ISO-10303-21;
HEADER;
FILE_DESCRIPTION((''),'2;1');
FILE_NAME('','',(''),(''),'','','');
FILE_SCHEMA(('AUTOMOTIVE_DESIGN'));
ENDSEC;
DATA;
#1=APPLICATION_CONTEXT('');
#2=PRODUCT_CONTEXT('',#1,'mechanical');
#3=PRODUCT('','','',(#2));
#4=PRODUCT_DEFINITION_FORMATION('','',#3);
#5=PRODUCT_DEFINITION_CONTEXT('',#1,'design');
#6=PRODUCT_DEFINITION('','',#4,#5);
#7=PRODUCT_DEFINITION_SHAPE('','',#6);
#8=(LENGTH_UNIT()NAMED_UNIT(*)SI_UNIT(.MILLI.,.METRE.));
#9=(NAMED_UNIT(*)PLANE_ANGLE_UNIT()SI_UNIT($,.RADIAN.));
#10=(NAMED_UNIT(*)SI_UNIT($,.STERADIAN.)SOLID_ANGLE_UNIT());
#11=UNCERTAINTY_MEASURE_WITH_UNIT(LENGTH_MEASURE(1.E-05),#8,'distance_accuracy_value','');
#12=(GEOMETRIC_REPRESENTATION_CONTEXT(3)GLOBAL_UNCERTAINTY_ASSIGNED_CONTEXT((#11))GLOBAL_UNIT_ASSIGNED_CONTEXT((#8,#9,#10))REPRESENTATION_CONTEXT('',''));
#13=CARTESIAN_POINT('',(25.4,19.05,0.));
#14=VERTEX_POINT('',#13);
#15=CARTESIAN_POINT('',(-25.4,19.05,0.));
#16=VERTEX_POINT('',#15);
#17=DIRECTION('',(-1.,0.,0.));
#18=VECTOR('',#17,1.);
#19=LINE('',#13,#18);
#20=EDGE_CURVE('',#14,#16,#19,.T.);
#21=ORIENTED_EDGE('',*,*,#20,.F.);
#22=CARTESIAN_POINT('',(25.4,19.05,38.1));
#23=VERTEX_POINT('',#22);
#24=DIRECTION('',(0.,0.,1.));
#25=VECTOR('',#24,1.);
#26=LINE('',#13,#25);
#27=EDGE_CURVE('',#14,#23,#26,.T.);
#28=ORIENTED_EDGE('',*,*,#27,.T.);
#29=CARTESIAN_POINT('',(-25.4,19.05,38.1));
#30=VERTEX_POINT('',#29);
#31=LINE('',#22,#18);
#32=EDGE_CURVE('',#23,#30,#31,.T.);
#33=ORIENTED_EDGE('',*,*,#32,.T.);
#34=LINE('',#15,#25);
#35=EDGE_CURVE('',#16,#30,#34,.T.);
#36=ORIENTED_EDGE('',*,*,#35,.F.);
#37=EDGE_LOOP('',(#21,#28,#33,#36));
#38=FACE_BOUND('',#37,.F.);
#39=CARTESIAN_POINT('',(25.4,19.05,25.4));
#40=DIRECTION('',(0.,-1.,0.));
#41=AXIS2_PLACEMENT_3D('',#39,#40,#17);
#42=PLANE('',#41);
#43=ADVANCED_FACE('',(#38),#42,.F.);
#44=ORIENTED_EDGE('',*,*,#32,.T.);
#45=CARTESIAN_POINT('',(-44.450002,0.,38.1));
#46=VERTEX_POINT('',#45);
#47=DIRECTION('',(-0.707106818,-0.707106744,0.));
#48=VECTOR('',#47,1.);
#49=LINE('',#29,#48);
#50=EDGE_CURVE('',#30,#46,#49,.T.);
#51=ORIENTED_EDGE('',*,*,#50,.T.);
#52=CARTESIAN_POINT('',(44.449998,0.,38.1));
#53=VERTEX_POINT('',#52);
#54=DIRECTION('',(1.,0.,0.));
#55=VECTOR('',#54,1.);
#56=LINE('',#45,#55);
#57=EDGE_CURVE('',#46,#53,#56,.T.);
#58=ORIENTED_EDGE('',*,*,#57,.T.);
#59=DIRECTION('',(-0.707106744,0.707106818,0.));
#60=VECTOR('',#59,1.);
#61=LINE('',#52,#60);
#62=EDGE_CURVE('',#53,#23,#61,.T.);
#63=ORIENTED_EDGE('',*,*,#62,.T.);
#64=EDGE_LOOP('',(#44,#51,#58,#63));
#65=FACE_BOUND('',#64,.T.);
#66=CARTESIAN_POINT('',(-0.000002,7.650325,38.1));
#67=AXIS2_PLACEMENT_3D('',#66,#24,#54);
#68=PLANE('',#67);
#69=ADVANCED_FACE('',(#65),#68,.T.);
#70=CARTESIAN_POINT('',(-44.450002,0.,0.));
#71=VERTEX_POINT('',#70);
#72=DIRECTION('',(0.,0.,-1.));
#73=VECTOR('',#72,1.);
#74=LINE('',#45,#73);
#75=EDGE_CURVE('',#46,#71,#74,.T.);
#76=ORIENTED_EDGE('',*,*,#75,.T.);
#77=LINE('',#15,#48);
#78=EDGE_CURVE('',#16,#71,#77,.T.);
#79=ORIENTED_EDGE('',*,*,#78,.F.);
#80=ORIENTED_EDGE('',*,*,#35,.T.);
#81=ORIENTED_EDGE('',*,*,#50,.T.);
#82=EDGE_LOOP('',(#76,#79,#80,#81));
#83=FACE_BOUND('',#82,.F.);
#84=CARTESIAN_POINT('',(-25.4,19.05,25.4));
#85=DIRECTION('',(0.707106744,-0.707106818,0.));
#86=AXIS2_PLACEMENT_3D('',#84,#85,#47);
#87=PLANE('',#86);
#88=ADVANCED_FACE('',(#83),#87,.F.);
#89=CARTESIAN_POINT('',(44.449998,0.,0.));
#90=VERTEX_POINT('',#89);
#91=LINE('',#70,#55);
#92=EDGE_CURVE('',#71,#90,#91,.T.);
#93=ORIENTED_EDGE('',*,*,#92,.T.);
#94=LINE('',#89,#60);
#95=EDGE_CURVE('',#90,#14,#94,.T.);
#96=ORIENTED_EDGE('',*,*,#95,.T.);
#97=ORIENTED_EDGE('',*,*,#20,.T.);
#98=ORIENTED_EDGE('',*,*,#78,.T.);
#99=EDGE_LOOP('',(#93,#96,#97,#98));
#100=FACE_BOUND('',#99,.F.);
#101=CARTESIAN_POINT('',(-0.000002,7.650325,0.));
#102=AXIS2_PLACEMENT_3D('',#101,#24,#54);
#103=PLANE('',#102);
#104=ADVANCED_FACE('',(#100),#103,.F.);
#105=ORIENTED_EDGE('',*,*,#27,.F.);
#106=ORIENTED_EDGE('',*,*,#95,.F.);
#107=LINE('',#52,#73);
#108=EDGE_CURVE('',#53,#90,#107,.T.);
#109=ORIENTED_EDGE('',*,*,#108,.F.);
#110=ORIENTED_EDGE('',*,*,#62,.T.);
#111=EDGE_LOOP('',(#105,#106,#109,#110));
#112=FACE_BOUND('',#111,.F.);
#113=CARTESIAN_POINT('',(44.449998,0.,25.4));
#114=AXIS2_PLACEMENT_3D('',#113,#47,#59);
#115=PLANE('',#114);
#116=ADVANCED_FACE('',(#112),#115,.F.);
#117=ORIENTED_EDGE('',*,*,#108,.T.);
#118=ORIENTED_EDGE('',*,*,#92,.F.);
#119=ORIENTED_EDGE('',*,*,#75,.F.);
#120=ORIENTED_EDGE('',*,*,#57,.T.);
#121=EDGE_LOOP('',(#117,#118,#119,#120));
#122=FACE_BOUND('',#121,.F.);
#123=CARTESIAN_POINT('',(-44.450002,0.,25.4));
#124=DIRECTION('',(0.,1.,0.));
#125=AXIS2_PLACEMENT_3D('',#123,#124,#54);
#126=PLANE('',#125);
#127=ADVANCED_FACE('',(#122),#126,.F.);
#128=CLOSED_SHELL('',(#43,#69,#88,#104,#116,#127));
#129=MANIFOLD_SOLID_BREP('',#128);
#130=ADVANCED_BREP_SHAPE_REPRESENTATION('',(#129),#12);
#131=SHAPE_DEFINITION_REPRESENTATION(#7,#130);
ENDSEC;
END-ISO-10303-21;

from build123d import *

# Parameters (mm, degrees)
F1_DEPTH = 25.4
F2_DEPTH = 12.7


with BuildPart() as f1:
    # F0 (on Top) → F1 (new body)
    with BuildSketch(Plane.XY):
        Polygon((25.4, 19.05), (-25.4, 19.05), (-44.450002, 0), (44.449998, 0), align=None)
    extrude(amount=F1_DEPTH)

    # F1_face (on face) → F2 (join)
    with BuildSketch(Plane(origin=(-1e-06, 8.659091, 25.4), x_dir=(1, 0, 0), z_dir=(0, 0, 1))):
        Polygon((44.449999, -8.659091), (25.400001, 10.390909), (-25.399999, 10.390909), (-44.450001, -8.659091), align=None)
    extrude(amount=F2_DEPTH)


solid = f1.part
